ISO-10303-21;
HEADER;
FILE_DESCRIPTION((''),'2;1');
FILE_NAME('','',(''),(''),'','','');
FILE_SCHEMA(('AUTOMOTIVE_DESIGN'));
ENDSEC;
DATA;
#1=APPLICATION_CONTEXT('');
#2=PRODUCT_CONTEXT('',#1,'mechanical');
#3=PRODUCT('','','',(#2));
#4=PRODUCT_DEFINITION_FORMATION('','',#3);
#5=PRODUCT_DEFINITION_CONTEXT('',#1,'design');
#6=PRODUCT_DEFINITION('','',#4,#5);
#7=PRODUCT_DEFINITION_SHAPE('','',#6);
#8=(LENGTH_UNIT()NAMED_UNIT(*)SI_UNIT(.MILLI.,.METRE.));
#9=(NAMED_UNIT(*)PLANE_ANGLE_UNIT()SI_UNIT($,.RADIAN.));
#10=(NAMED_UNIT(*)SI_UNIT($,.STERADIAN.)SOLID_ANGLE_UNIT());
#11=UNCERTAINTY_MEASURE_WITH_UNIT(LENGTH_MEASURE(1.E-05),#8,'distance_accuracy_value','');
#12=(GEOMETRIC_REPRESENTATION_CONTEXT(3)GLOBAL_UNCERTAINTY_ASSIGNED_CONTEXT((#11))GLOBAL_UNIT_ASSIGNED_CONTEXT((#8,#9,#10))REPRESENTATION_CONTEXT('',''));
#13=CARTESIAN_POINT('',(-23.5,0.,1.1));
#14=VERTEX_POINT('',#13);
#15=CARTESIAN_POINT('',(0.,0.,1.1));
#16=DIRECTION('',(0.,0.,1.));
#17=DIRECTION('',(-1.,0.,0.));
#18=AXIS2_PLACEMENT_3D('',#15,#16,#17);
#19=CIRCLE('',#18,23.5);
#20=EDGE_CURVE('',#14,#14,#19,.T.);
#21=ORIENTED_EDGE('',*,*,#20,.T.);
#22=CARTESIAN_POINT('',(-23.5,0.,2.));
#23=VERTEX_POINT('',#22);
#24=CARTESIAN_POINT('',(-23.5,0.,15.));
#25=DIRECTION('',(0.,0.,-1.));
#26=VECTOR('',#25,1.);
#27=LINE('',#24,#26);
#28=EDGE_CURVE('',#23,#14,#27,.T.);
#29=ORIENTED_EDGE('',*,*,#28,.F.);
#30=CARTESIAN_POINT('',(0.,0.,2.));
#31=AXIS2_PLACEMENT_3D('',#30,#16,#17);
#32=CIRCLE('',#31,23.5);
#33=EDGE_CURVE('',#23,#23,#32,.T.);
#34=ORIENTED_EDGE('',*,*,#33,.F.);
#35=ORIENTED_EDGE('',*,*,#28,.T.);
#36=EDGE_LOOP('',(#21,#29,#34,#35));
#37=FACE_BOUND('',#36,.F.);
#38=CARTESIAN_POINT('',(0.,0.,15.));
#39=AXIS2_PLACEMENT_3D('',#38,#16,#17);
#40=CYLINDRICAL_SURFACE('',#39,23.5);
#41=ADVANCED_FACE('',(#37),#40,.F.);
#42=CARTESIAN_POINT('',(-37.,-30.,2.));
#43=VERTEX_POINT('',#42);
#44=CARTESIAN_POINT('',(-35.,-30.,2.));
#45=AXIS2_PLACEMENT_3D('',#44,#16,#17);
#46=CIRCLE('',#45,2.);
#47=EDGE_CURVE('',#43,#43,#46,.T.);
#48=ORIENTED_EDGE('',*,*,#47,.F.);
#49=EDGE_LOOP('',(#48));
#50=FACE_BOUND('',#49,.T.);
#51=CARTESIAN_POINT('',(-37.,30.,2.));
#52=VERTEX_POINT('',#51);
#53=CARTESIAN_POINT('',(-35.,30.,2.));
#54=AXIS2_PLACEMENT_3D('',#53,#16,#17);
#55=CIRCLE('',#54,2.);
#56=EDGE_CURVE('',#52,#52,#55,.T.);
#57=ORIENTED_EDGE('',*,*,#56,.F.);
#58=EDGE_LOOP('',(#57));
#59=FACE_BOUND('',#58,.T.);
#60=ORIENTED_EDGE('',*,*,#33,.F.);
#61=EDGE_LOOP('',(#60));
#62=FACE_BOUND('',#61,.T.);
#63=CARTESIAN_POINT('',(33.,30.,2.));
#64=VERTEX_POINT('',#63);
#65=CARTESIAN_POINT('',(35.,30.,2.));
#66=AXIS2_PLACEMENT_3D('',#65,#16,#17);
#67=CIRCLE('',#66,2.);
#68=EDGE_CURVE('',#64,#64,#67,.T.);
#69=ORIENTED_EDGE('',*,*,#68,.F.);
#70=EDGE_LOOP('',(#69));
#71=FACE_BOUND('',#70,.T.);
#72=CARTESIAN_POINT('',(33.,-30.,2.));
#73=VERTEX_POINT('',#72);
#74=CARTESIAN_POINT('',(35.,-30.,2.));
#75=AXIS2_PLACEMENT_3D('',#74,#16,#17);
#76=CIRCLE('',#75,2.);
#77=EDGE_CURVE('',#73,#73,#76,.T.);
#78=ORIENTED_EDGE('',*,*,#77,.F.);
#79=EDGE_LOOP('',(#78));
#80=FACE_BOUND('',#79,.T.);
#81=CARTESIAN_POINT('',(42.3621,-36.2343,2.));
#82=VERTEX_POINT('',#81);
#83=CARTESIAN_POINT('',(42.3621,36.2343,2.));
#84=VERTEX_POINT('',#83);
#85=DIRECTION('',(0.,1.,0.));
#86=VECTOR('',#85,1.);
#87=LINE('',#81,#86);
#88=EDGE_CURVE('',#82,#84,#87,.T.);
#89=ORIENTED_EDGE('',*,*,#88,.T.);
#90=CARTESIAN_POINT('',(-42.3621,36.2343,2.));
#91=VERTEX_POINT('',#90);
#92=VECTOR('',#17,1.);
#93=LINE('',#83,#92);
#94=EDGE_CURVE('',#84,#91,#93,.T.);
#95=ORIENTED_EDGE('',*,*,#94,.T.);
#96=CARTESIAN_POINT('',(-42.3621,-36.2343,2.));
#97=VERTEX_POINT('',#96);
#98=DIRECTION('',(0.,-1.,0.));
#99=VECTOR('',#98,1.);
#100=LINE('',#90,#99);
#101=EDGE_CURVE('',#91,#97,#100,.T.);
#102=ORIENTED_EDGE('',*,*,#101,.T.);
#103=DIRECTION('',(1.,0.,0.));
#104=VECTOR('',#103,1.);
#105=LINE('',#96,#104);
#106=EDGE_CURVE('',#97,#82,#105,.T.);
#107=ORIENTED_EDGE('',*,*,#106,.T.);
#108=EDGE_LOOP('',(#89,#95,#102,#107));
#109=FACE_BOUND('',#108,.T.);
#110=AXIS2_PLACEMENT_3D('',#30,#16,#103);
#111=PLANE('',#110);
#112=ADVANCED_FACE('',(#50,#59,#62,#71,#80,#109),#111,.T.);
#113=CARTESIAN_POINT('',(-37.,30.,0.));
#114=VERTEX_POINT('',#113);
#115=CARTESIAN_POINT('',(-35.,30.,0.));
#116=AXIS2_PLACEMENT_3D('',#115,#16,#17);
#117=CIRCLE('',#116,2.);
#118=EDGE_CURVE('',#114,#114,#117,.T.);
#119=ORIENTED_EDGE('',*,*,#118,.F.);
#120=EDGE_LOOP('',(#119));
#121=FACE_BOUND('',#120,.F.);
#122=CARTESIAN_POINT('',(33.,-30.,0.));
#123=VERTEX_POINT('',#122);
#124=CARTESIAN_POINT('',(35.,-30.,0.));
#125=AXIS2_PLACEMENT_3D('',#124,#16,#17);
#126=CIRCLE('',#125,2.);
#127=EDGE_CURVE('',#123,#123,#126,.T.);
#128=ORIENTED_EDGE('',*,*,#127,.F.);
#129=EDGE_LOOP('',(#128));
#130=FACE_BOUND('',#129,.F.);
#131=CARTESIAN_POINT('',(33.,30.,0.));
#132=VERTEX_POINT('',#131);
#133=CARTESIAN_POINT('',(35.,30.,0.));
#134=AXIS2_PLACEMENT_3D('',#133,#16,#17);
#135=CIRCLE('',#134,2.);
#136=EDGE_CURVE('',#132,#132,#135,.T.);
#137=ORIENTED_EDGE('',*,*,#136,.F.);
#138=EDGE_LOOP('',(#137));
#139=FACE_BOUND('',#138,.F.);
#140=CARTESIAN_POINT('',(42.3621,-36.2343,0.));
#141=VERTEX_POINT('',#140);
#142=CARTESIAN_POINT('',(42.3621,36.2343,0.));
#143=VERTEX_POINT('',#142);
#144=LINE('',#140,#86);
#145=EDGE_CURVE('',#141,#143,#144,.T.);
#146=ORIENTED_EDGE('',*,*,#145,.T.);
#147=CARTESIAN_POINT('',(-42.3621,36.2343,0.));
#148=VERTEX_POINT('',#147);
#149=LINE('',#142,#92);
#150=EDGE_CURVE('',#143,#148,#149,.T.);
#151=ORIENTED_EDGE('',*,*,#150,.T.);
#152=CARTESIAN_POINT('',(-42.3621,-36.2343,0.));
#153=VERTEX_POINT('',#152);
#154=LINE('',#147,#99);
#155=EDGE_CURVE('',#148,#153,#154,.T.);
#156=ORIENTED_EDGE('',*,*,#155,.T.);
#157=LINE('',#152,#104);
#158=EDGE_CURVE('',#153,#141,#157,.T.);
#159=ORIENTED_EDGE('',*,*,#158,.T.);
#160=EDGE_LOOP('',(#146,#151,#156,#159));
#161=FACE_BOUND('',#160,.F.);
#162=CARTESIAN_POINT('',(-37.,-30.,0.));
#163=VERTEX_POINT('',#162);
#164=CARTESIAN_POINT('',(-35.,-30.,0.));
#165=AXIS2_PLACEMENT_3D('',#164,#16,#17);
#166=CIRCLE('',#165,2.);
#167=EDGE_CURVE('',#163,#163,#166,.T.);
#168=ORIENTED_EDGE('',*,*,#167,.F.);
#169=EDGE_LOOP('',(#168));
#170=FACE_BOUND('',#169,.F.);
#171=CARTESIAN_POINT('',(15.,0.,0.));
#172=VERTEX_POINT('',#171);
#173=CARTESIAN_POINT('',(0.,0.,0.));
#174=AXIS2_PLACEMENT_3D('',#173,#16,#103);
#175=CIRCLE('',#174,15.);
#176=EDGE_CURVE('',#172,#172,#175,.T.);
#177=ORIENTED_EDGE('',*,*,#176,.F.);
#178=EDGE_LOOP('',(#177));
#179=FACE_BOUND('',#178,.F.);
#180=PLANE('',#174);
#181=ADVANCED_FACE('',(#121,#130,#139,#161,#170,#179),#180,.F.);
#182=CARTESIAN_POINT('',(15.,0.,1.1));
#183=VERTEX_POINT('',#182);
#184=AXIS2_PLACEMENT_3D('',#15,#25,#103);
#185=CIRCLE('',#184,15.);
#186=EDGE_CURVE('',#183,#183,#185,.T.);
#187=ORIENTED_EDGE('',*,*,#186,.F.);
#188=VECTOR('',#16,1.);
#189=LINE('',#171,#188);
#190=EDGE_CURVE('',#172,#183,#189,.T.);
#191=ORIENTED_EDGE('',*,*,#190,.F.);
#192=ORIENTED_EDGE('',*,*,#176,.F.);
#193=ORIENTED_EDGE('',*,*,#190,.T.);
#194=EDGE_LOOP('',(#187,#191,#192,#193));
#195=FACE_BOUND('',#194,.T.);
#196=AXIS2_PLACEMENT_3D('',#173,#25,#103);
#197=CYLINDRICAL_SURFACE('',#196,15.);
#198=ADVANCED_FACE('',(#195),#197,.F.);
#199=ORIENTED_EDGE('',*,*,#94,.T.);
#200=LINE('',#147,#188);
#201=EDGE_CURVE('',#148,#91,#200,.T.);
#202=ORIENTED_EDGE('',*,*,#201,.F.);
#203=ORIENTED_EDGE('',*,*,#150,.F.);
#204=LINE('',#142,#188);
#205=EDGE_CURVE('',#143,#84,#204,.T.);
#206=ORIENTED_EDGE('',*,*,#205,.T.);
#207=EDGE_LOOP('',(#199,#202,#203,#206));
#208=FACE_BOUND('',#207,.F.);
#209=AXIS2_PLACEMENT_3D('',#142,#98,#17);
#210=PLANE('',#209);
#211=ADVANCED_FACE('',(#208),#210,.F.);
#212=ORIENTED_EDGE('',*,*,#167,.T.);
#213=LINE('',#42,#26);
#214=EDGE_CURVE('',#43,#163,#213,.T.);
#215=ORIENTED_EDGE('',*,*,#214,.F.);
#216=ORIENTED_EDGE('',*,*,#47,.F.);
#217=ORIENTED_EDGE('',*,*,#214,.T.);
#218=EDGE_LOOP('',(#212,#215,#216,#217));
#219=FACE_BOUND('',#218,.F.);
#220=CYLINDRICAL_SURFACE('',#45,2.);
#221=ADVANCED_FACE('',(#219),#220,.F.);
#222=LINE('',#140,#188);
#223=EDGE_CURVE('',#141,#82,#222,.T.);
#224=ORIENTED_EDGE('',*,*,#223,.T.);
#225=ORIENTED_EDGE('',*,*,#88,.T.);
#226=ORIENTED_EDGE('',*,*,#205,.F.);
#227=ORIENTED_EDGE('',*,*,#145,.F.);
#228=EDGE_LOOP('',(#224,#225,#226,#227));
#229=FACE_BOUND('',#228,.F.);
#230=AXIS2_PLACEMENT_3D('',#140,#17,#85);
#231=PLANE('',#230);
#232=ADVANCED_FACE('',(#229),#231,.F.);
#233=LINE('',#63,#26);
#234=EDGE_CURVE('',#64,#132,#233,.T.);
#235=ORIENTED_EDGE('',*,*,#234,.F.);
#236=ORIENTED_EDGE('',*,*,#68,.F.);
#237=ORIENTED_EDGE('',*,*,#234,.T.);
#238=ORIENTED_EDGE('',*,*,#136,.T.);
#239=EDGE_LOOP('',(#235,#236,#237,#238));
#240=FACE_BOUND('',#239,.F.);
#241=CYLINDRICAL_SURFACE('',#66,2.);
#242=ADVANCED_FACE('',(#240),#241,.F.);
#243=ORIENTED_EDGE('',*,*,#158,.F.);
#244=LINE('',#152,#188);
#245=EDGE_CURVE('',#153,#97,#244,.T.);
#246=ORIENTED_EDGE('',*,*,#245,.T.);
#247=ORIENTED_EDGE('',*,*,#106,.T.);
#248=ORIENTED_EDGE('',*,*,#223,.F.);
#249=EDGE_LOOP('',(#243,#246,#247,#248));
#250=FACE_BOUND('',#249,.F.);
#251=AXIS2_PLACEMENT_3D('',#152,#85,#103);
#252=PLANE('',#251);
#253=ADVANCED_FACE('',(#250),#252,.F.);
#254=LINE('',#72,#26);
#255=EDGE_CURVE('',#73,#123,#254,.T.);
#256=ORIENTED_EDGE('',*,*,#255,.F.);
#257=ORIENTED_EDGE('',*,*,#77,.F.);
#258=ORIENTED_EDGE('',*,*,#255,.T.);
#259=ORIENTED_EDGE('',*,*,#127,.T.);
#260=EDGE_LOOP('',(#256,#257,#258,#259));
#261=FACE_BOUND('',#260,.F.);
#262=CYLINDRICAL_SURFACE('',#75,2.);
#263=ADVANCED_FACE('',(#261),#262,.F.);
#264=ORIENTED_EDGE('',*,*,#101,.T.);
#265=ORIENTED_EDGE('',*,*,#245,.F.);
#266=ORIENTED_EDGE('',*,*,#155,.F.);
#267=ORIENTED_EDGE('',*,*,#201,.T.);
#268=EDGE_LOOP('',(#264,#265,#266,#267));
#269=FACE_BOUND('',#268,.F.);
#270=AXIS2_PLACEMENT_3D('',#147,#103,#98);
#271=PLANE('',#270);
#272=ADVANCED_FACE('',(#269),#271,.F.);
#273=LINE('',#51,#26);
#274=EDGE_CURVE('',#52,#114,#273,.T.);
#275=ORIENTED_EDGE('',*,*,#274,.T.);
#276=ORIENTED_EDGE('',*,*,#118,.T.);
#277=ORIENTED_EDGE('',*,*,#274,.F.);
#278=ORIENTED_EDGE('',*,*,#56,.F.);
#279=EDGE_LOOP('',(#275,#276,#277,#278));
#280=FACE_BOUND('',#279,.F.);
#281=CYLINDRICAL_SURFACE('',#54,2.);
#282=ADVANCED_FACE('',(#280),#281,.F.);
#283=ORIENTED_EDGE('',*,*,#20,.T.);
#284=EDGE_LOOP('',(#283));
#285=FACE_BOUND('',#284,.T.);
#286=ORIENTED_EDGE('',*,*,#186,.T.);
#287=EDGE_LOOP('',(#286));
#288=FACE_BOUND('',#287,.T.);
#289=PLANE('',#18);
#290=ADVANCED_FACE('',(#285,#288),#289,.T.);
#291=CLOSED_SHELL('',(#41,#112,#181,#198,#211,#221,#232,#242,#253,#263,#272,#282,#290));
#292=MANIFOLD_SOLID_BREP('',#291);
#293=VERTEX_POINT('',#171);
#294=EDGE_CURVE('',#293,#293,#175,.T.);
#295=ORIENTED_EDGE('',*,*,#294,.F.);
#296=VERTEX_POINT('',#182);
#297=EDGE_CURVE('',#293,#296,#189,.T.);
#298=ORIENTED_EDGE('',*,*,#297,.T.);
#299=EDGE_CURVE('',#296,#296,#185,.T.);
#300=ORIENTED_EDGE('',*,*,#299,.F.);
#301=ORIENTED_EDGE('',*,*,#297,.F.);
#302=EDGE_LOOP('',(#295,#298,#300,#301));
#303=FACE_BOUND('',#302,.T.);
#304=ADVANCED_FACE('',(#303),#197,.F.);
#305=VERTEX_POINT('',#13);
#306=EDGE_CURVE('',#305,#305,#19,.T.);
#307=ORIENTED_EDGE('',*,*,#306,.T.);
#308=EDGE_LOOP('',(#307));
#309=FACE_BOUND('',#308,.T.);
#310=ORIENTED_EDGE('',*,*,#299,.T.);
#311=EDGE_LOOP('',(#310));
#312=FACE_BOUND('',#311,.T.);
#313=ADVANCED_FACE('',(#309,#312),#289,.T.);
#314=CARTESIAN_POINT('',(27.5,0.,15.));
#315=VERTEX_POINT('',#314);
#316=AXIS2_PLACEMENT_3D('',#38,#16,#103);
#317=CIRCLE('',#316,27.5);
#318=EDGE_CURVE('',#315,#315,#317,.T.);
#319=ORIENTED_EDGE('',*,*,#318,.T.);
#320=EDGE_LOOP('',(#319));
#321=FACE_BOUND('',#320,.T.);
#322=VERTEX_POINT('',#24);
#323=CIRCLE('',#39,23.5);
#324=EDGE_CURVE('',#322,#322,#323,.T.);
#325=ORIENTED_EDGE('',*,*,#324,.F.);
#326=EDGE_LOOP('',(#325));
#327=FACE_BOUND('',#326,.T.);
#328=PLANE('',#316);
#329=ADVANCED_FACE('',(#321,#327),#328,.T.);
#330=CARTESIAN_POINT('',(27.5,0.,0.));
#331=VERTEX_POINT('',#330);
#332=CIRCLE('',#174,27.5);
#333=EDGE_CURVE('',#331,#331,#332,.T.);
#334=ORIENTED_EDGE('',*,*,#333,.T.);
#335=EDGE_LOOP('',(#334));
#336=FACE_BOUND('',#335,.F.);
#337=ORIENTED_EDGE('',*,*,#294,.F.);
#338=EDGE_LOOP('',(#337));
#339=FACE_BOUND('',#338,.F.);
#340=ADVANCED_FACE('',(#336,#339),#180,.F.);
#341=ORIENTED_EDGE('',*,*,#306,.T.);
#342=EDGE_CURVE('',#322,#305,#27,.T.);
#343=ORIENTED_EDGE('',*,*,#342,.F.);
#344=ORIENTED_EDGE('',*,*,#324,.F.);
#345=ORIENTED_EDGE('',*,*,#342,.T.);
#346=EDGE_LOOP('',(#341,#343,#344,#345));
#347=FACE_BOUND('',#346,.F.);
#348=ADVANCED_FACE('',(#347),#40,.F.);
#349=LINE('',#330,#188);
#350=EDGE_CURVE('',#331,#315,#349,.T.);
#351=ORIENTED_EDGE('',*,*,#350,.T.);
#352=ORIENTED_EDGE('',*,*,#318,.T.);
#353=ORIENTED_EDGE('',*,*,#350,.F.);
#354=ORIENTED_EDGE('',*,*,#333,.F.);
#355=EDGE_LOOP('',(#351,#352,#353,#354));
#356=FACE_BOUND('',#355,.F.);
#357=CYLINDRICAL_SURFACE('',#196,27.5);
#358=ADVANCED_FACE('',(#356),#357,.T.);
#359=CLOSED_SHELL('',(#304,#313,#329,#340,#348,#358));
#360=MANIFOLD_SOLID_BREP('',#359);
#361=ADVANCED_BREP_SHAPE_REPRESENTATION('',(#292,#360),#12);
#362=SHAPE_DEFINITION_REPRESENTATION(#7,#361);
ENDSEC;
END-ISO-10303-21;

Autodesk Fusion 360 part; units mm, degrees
sketch "Sketch1" plane through (0, 0, 0) normal (0, 0, 1) x (1, 0, 0)
  circle A0 centre (0, 0) radius 27.5
  line L0 (42.3621, 36.2343) -> (-42.3621, 36.2343)
  line L1 (-42.3621, 36.2343) -> (-42.3621, -36.2343)
  line L2 (-42.3621, -36.2343) -> (42.3621, -36.2343)
  line L3 (42.3621, -36.2343) -> (42.3621, 36.2343)
  line L4 (42.3621, 36.2343) -> (-42.3621, -36.2343) construction
  line L5 (-42.3621, 36.2343) -> (42.3621, -36.2343) construction
  dimension "d1" = 55
extrude "Extrude1" add sketch "Sketch1" along normal blind 2 contours A0 | L0 L1 L2 L3 makes body 1
extrude "Extrude2" add sketch "Sketch1" along normal blind 15 separate body contours A0 makes body 2
sketch "Sketch2" plane through (0, 0, 15) normal (0, 0, 1) x (-1, 0, 0)
  circle A0 centre (0, 0) radius 27.5
  circle A1 centre (0, 0) radius 23.5
  dimension "d6" = 47
extrude "Extrude3" cut sketch "Sketch2" against normal blind 13.9 contours A1 bodies 1 2
sketch "Sketch3" plane through (0, 0, 2) normal (0, 0, 1) x (-1, 0, 0)
  circle A0 centre (0, 0) radius 23.5
  line L0 (-42.3621, 36.2343) -> (-42.3621, -36.2343)
  line L1 (-42.3621, -36.2343) -> (42.3621, -36.2343)
  line L2 (42.3621, -36.2343) -> (42.3621, 36.2343)
  line L3 (42.3621, 36.2343) -> (-42.3621, 36.2343)
  circle A1 centre (35, -30) radius 2
  circle A2 centre (-35, -30) radius 2
  circle A3 centre (35, 30) radius 2
  circle A4 centre (-35, 30) radius 2
  dimension "d9" = 4
  dimension "d10" = 4
  dimension "d11" = 4
  dimension "d12" = 4
extrude "Extrude4" cut sketch "Sketch3" against normal blind 2 contours A1 | A2 | A3 | A4 bodies 1
sketch "Sketch4" plane through (0, 0, 0) normal (0, 0, 1) x (1, 0, 0)
  circle A0 centre (0, 0) radius 15
  dimension "d15" = 30
extrude "Extrude5" cut sketch "Sketch4" along normal blind 12 bodies 1 2
